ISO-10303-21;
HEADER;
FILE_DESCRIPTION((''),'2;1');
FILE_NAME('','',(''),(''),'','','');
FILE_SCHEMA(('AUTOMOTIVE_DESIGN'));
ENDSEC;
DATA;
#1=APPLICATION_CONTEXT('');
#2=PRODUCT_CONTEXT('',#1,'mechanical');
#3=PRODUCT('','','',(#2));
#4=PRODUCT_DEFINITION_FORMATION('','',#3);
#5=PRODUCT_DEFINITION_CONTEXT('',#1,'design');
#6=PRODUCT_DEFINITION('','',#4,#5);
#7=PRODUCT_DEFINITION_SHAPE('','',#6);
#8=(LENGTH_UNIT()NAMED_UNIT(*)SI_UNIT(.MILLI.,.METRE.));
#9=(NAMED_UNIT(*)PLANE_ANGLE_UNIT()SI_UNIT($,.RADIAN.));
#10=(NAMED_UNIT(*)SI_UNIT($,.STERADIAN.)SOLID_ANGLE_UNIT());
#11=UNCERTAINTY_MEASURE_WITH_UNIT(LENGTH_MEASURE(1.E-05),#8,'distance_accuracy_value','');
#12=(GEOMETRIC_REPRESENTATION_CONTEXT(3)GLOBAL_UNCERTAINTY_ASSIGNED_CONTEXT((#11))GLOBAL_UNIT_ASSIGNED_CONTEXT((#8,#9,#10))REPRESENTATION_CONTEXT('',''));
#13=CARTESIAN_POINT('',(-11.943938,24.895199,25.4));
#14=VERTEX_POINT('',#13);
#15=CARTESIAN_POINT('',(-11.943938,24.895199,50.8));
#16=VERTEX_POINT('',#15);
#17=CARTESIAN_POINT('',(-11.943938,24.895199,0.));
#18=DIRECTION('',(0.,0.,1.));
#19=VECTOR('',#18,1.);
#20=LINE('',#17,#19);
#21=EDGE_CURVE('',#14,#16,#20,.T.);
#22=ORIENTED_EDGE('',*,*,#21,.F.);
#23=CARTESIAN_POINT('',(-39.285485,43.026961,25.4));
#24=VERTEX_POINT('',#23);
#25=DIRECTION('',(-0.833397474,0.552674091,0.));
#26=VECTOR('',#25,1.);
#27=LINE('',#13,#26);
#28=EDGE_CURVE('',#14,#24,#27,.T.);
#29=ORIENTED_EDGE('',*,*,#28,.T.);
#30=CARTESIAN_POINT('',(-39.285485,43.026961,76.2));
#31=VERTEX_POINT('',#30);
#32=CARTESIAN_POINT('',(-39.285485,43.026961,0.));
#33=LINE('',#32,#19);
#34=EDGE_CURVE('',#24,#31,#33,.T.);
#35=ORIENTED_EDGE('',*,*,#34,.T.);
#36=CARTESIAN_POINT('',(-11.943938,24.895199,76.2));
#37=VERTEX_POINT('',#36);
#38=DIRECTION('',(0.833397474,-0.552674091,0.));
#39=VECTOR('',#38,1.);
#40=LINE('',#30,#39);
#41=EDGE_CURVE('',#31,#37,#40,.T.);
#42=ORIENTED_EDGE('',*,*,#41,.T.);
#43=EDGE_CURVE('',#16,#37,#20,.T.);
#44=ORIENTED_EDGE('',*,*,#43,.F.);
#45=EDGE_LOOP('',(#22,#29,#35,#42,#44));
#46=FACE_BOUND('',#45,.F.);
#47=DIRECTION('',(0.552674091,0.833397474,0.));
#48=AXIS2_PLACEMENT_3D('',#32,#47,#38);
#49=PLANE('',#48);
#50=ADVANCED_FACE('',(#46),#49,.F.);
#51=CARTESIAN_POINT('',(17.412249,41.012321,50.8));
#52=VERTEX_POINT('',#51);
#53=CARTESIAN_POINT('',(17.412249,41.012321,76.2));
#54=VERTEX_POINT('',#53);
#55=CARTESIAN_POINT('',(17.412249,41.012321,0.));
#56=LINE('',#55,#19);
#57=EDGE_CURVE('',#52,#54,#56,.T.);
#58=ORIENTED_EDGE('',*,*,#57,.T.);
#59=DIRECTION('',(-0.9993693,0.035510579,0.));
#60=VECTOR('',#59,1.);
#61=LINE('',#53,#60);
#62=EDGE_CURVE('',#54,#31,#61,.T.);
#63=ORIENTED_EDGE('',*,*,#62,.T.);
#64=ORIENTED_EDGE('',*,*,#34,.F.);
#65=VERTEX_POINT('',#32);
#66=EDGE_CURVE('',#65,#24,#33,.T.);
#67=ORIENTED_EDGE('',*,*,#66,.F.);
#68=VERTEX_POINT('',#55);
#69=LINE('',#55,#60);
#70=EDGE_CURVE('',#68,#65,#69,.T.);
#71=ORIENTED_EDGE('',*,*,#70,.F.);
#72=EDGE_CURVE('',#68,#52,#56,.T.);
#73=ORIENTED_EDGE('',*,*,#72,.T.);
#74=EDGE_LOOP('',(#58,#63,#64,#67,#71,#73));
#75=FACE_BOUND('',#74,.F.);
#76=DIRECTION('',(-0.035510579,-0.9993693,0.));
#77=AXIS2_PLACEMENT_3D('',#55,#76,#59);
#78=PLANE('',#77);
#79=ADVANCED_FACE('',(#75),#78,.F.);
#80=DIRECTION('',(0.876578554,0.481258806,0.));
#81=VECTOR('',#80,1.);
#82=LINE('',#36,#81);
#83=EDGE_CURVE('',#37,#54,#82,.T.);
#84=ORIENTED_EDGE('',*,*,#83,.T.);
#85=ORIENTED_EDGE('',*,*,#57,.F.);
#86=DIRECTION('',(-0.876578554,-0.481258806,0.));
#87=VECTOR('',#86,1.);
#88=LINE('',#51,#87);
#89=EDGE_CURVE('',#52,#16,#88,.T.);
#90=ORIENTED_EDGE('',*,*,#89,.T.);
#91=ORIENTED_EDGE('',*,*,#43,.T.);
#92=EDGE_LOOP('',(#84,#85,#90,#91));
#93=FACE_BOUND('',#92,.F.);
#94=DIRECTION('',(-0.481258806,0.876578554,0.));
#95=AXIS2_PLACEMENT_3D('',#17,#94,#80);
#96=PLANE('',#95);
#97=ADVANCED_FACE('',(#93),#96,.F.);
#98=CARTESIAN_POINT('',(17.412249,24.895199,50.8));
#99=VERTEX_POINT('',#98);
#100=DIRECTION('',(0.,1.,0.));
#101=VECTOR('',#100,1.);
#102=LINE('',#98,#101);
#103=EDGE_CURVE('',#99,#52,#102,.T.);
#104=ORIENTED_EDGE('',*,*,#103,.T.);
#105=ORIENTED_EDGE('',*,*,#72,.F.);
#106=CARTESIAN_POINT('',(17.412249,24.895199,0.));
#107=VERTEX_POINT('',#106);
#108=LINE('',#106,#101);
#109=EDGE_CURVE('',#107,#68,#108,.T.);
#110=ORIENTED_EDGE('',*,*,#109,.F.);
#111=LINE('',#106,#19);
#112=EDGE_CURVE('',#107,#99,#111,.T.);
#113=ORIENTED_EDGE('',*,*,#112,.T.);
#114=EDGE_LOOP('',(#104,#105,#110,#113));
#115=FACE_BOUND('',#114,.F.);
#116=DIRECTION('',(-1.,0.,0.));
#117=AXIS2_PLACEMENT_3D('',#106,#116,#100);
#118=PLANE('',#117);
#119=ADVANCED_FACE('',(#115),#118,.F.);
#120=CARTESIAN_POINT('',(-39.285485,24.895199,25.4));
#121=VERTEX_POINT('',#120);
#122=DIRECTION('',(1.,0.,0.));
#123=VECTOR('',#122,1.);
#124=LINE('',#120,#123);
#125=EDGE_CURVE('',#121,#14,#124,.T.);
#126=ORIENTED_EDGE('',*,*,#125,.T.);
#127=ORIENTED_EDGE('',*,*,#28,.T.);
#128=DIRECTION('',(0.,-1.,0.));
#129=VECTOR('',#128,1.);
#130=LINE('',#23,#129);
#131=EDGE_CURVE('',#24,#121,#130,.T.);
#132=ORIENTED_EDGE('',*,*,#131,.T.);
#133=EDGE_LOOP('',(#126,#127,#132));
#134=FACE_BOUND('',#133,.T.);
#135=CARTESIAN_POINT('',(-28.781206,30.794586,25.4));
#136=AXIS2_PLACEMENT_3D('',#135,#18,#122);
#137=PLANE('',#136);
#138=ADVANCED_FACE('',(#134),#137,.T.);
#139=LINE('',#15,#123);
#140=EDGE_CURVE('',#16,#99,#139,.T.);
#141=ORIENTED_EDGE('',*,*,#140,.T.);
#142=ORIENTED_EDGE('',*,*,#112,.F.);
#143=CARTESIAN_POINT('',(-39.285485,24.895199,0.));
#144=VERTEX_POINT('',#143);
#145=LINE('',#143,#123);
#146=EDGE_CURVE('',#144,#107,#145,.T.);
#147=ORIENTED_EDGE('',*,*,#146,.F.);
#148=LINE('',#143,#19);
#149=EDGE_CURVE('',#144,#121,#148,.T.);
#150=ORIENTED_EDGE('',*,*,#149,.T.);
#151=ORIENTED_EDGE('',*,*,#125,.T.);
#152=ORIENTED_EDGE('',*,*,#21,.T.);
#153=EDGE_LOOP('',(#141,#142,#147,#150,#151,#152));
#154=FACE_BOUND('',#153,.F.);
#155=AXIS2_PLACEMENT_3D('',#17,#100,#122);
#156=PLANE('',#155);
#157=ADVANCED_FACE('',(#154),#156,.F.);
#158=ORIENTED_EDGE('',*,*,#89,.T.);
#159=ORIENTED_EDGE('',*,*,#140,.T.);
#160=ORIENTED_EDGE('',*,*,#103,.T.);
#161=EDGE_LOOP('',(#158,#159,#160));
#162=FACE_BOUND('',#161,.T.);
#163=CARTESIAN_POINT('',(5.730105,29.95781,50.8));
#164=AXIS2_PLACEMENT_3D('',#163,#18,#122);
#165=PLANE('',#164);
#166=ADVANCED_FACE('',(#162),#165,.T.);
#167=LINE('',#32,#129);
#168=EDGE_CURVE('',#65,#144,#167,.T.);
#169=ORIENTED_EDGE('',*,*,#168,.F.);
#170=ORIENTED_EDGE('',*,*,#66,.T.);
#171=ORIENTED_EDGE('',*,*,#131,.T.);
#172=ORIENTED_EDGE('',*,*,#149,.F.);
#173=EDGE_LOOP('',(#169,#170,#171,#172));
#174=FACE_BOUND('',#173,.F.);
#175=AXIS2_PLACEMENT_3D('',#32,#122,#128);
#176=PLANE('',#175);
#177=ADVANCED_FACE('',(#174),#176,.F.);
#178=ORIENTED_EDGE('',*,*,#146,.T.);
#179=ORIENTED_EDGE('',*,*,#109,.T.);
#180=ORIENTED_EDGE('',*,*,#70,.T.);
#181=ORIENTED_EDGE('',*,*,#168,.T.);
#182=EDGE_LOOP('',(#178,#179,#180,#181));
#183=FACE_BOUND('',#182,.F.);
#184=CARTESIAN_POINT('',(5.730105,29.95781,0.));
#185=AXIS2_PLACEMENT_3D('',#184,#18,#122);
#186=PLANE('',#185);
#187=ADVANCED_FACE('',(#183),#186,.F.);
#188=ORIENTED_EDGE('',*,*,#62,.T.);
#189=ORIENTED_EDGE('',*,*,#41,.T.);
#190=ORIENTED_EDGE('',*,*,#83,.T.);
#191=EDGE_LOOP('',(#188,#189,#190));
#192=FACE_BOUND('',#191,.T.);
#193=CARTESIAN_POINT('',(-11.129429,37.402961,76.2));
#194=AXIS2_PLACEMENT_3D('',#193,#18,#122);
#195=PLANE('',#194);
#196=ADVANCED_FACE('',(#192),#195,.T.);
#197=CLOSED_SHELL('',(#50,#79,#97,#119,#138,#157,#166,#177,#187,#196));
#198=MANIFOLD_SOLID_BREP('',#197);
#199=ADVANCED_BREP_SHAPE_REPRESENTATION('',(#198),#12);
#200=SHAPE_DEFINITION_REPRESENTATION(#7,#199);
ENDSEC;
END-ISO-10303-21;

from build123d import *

# Parameters (mm, degrees)
F1_DEPTH = 25.4
F2_DEPTH = 76.2
F3_DEPTH = 50.8


with BuildPart() as f1:
    # F0 (on Top) → F1 (new body)
    with BuildSketch(Plane.XY):
        Polygon((-39.285485, 43.026961), (-39.285485, 24.895199), (-11.943938, 24.895199), align=None)
    extrude(amount=F1_DEPTH)

    # F0 (on Top) → F2 (join)
    with BuildSketch(Plane.XY):
        Polygon((-39.285485, 43.026961), (-11.943938, 24.895199), (17.412249, 41.012321), align=None)
    extrude(amount=F2_DEPTH)

    # F0 (on Top) → F3 (join)
    with BuildSketch(Plane.XY):
        Polygon((17.412249, 41.012321), (-11.943938, 24.895199), (17.412249, 24.895199), align=None)
    extrude(amount=F3_DEPTH)


solid = f1.part
